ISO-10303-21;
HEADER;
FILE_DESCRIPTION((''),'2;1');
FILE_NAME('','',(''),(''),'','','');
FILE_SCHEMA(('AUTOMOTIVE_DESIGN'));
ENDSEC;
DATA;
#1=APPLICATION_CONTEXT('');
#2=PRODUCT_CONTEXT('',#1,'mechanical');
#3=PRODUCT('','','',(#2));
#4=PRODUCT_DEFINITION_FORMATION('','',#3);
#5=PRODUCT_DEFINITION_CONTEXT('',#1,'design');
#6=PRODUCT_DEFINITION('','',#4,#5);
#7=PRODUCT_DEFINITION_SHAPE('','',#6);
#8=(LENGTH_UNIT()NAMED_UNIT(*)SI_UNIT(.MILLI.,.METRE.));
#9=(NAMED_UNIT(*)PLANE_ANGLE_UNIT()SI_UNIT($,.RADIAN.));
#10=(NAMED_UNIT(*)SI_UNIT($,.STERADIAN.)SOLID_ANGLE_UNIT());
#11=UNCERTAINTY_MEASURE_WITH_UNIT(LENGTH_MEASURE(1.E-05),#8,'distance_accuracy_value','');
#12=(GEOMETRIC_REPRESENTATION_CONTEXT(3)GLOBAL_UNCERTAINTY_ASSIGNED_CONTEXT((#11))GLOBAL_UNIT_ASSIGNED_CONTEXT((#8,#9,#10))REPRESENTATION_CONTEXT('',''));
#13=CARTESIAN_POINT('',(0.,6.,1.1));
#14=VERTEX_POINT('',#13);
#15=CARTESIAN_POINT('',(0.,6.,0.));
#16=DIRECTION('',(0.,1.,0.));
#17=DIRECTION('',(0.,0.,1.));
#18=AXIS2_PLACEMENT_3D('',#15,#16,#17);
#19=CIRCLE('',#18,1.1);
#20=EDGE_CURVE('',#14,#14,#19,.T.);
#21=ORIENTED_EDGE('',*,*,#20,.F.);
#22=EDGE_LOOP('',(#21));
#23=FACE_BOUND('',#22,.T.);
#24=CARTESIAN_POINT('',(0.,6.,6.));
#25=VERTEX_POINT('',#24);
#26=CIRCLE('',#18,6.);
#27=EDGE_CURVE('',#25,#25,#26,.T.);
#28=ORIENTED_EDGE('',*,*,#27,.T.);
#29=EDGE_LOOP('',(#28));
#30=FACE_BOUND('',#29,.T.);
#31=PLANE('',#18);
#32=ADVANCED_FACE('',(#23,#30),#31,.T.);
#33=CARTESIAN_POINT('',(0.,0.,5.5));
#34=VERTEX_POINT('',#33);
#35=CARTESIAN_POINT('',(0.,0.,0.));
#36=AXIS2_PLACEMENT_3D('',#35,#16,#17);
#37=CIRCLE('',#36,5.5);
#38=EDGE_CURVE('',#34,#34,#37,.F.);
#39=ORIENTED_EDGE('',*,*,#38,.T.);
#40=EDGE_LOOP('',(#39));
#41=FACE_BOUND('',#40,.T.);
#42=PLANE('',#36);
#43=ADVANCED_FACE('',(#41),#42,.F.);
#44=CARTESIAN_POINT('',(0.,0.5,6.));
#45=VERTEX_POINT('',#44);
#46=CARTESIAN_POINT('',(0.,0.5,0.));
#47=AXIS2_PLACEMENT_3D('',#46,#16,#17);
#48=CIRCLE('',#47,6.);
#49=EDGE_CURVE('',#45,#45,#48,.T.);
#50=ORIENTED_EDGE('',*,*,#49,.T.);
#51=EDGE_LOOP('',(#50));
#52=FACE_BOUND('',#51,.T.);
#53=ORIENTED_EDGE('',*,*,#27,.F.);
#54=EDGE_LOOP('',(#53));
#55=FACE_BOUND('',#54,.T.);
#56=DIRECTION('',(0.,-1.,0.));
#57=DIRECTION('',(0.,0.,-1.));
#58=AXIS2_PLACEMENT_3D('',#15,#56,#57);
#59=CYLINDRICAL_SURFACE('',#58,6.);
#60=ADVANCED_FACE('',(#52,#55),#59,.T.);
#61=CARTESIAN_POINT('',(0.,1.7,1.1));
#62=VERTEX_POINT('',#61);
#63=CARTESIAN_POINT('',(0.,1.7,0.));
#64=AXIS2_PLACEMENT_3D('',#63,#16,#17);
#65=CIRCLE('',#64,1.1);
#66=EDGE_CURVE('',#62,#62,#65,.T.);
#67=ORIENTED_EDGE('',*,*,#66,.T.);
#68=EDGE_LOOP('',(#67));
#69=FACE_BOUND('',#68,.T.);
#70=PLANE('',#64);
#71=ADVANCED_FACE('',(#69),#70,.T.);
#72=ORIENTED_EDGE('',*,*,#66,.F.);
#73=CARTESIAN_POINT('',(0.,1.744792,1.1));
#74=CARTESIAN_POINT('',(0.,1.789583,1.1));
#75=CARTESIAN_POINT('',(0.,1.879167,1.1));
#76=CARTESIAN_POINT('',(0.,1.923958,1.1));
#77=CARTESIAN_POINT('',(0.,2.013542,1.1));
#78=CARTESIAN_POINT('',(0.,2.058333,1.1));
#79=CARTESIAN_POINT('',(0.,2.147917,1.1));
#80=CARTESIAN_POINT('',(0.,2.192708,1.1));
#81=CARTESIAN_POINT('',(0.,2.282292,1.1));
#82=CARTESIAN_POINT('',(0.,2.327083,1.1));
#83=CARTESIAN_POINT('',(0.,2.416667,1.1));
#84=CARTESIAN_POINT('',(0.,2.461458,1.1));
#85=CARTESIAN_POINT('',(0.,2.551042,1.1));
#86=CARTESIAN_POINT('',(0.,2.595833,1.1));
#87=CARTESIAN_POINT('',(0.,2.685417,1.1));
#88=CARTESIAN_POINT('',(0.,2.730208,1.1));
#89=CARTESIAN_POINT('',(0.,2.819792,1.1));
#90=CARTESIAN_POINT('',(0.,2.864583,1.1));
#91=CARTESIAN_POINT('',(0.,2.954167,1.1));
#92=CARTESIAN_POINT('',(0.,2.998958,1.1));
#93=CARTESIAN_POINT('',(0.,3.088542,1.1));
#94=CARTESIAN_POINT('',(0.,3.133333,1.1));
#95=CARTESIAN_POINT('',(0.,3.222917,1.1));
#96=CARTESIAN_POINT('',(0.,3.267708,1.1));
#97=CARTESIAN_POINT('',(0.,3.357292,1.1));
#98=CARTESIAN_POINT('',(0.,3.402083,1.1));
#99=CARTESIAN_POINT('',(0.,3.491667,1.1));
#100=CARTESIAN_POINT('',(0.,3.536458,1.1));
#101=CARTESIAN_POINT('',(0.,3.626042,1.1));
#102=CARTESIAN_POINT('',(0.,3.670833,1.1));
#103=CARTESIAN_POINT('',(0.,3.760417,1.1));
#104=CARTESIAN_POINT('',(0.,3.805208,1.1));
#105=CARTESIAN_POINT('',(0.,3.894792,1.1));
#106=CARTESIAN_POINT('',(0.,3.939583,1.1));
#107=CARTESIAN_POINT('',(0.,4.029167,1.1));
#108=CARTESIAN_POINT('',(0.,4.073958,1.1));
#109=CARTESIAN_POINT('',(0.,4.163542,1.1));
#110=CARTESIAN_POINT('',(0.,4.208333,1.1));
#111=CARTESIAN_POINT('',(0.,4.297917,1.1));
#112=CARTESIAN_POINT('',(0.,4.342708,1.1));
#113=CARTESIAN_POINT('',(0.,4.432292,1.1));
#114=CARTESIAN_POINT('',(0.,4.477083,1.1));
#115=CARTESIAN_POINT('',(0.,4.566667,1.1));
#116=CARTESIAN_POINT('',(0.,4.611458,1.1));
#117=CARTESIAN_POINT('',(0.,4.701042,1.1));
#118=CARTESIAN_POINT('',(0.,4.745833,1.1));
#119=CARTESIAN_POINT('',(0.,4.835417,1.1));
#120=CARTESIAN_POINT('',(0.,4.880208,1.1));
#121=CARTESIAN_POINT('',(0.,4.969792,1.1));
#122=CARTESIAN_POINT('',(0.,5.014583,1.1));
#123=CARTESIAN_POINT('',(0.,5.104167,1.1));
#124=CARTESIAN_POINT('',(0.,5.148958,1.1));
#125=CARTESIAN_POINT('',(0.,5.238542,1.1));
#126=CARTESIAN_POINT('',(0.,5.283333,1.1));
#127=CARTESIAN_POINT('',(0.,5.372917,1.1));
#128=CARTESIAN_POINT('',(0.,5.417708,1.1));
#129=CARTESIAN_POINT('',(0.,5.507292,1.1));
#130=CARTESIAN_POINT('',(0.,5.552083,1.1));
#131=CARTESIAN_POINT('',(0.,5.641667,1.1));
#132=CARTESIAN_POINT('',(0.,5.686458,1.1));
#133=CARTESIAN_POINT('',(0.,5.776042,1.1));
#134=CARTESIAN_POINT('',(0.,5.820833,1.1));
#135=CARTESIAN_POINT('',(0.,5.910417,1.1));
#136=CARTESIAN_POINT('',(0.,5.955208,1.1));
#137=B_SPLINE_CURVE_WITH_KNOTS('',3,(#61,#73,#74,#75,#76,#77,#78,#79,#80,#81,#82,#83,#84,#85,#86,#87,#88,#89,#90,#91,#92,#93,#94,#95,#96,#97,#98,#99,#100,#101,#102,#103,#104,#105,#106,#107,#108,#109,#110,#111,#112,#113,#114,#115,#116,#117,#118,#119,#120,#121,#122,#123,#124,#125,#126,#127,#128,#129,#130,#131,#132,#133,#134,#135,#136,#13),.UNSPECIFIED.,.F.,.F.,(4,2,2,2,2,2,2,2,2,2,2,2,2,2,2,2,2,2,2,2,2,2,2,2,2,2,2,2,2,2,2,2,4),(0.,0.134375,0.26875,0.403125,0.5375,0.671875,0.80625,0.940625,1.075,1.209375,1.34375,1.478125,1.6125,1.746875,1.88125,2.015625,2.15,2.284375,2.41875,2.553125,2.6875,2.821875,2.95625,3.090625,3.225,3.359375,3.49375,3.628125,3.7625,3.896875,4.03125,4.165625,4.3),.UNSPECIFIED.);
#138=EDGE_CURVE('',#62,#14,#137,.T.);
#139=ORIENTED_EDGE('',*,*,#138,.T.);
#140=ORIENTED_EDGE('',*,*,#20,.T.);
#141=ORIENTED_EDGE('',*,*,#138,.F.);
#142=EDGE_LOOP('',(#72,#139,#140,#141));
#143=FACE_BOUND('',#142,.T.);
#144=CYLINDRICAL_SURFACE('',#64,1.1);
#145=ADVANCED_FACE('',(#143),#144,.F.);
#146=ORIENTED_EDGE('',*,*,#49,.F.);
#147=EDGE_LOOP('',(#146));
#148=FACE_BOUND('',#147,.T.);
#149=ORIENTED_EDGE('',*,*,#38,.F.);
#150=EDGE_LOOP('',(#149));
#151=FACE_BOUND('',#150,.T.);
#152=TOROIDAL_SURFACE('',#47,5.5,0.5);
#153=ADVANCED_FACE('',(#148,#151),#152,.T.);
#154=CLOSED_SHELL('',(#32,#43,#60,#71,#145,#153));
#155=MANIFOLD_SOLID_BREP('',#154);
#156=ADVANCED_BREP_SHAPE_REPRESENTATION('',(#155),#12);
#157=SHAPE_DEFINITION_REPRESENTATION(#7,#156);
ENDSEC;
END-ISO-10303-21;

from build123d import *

# Parameters (mm, degrees)
SKETCH1_R           = 6
BOSS_EXTRUDE1_DEPTH = 6
SKETCH2_R           = 1.1
CUT_EXTRUDE1_DEPTH  = 4.3
FILLET1_R           = 0.5


with BuildPart() as part:
    # Sketch1 → Boss-Extrude1 (new body)
    with BuildSketch(Plane(origin=(0, 0, 0), x_dir=(1, 0, 0), z_dir=(0, 1, 0))):
        with Locations(Location((0, 0, 0), (0, 0, 270))):
            Circle(SKETCH1_R)
    extrude(amount=BOSS_EXTRUDE1_DEPTH)

    # Sketch2 → Cut-Extrude1 (cut)
    with BuildSketch(Plane(origin=(0, 6, 0), x_dir=(1, 0, 0), z_dir=(0, 1, 0))):
        with Locations(Location((0, 0, 0), (0, 0, 270))):
            Circle(SKETCH2_R)
    extrude(amount=-CUT_EXTRUDE1_DEPTH, mode=Mode.SUBTRACT)

    # Fillet1
    fillet1_edges = [part.edges().sort_by_distance(p)[0] for p in [
        (0, 0, -6),
    ]]
    fillet(fillet1_edges, radius=FILLET1_R)


solid = part.part
